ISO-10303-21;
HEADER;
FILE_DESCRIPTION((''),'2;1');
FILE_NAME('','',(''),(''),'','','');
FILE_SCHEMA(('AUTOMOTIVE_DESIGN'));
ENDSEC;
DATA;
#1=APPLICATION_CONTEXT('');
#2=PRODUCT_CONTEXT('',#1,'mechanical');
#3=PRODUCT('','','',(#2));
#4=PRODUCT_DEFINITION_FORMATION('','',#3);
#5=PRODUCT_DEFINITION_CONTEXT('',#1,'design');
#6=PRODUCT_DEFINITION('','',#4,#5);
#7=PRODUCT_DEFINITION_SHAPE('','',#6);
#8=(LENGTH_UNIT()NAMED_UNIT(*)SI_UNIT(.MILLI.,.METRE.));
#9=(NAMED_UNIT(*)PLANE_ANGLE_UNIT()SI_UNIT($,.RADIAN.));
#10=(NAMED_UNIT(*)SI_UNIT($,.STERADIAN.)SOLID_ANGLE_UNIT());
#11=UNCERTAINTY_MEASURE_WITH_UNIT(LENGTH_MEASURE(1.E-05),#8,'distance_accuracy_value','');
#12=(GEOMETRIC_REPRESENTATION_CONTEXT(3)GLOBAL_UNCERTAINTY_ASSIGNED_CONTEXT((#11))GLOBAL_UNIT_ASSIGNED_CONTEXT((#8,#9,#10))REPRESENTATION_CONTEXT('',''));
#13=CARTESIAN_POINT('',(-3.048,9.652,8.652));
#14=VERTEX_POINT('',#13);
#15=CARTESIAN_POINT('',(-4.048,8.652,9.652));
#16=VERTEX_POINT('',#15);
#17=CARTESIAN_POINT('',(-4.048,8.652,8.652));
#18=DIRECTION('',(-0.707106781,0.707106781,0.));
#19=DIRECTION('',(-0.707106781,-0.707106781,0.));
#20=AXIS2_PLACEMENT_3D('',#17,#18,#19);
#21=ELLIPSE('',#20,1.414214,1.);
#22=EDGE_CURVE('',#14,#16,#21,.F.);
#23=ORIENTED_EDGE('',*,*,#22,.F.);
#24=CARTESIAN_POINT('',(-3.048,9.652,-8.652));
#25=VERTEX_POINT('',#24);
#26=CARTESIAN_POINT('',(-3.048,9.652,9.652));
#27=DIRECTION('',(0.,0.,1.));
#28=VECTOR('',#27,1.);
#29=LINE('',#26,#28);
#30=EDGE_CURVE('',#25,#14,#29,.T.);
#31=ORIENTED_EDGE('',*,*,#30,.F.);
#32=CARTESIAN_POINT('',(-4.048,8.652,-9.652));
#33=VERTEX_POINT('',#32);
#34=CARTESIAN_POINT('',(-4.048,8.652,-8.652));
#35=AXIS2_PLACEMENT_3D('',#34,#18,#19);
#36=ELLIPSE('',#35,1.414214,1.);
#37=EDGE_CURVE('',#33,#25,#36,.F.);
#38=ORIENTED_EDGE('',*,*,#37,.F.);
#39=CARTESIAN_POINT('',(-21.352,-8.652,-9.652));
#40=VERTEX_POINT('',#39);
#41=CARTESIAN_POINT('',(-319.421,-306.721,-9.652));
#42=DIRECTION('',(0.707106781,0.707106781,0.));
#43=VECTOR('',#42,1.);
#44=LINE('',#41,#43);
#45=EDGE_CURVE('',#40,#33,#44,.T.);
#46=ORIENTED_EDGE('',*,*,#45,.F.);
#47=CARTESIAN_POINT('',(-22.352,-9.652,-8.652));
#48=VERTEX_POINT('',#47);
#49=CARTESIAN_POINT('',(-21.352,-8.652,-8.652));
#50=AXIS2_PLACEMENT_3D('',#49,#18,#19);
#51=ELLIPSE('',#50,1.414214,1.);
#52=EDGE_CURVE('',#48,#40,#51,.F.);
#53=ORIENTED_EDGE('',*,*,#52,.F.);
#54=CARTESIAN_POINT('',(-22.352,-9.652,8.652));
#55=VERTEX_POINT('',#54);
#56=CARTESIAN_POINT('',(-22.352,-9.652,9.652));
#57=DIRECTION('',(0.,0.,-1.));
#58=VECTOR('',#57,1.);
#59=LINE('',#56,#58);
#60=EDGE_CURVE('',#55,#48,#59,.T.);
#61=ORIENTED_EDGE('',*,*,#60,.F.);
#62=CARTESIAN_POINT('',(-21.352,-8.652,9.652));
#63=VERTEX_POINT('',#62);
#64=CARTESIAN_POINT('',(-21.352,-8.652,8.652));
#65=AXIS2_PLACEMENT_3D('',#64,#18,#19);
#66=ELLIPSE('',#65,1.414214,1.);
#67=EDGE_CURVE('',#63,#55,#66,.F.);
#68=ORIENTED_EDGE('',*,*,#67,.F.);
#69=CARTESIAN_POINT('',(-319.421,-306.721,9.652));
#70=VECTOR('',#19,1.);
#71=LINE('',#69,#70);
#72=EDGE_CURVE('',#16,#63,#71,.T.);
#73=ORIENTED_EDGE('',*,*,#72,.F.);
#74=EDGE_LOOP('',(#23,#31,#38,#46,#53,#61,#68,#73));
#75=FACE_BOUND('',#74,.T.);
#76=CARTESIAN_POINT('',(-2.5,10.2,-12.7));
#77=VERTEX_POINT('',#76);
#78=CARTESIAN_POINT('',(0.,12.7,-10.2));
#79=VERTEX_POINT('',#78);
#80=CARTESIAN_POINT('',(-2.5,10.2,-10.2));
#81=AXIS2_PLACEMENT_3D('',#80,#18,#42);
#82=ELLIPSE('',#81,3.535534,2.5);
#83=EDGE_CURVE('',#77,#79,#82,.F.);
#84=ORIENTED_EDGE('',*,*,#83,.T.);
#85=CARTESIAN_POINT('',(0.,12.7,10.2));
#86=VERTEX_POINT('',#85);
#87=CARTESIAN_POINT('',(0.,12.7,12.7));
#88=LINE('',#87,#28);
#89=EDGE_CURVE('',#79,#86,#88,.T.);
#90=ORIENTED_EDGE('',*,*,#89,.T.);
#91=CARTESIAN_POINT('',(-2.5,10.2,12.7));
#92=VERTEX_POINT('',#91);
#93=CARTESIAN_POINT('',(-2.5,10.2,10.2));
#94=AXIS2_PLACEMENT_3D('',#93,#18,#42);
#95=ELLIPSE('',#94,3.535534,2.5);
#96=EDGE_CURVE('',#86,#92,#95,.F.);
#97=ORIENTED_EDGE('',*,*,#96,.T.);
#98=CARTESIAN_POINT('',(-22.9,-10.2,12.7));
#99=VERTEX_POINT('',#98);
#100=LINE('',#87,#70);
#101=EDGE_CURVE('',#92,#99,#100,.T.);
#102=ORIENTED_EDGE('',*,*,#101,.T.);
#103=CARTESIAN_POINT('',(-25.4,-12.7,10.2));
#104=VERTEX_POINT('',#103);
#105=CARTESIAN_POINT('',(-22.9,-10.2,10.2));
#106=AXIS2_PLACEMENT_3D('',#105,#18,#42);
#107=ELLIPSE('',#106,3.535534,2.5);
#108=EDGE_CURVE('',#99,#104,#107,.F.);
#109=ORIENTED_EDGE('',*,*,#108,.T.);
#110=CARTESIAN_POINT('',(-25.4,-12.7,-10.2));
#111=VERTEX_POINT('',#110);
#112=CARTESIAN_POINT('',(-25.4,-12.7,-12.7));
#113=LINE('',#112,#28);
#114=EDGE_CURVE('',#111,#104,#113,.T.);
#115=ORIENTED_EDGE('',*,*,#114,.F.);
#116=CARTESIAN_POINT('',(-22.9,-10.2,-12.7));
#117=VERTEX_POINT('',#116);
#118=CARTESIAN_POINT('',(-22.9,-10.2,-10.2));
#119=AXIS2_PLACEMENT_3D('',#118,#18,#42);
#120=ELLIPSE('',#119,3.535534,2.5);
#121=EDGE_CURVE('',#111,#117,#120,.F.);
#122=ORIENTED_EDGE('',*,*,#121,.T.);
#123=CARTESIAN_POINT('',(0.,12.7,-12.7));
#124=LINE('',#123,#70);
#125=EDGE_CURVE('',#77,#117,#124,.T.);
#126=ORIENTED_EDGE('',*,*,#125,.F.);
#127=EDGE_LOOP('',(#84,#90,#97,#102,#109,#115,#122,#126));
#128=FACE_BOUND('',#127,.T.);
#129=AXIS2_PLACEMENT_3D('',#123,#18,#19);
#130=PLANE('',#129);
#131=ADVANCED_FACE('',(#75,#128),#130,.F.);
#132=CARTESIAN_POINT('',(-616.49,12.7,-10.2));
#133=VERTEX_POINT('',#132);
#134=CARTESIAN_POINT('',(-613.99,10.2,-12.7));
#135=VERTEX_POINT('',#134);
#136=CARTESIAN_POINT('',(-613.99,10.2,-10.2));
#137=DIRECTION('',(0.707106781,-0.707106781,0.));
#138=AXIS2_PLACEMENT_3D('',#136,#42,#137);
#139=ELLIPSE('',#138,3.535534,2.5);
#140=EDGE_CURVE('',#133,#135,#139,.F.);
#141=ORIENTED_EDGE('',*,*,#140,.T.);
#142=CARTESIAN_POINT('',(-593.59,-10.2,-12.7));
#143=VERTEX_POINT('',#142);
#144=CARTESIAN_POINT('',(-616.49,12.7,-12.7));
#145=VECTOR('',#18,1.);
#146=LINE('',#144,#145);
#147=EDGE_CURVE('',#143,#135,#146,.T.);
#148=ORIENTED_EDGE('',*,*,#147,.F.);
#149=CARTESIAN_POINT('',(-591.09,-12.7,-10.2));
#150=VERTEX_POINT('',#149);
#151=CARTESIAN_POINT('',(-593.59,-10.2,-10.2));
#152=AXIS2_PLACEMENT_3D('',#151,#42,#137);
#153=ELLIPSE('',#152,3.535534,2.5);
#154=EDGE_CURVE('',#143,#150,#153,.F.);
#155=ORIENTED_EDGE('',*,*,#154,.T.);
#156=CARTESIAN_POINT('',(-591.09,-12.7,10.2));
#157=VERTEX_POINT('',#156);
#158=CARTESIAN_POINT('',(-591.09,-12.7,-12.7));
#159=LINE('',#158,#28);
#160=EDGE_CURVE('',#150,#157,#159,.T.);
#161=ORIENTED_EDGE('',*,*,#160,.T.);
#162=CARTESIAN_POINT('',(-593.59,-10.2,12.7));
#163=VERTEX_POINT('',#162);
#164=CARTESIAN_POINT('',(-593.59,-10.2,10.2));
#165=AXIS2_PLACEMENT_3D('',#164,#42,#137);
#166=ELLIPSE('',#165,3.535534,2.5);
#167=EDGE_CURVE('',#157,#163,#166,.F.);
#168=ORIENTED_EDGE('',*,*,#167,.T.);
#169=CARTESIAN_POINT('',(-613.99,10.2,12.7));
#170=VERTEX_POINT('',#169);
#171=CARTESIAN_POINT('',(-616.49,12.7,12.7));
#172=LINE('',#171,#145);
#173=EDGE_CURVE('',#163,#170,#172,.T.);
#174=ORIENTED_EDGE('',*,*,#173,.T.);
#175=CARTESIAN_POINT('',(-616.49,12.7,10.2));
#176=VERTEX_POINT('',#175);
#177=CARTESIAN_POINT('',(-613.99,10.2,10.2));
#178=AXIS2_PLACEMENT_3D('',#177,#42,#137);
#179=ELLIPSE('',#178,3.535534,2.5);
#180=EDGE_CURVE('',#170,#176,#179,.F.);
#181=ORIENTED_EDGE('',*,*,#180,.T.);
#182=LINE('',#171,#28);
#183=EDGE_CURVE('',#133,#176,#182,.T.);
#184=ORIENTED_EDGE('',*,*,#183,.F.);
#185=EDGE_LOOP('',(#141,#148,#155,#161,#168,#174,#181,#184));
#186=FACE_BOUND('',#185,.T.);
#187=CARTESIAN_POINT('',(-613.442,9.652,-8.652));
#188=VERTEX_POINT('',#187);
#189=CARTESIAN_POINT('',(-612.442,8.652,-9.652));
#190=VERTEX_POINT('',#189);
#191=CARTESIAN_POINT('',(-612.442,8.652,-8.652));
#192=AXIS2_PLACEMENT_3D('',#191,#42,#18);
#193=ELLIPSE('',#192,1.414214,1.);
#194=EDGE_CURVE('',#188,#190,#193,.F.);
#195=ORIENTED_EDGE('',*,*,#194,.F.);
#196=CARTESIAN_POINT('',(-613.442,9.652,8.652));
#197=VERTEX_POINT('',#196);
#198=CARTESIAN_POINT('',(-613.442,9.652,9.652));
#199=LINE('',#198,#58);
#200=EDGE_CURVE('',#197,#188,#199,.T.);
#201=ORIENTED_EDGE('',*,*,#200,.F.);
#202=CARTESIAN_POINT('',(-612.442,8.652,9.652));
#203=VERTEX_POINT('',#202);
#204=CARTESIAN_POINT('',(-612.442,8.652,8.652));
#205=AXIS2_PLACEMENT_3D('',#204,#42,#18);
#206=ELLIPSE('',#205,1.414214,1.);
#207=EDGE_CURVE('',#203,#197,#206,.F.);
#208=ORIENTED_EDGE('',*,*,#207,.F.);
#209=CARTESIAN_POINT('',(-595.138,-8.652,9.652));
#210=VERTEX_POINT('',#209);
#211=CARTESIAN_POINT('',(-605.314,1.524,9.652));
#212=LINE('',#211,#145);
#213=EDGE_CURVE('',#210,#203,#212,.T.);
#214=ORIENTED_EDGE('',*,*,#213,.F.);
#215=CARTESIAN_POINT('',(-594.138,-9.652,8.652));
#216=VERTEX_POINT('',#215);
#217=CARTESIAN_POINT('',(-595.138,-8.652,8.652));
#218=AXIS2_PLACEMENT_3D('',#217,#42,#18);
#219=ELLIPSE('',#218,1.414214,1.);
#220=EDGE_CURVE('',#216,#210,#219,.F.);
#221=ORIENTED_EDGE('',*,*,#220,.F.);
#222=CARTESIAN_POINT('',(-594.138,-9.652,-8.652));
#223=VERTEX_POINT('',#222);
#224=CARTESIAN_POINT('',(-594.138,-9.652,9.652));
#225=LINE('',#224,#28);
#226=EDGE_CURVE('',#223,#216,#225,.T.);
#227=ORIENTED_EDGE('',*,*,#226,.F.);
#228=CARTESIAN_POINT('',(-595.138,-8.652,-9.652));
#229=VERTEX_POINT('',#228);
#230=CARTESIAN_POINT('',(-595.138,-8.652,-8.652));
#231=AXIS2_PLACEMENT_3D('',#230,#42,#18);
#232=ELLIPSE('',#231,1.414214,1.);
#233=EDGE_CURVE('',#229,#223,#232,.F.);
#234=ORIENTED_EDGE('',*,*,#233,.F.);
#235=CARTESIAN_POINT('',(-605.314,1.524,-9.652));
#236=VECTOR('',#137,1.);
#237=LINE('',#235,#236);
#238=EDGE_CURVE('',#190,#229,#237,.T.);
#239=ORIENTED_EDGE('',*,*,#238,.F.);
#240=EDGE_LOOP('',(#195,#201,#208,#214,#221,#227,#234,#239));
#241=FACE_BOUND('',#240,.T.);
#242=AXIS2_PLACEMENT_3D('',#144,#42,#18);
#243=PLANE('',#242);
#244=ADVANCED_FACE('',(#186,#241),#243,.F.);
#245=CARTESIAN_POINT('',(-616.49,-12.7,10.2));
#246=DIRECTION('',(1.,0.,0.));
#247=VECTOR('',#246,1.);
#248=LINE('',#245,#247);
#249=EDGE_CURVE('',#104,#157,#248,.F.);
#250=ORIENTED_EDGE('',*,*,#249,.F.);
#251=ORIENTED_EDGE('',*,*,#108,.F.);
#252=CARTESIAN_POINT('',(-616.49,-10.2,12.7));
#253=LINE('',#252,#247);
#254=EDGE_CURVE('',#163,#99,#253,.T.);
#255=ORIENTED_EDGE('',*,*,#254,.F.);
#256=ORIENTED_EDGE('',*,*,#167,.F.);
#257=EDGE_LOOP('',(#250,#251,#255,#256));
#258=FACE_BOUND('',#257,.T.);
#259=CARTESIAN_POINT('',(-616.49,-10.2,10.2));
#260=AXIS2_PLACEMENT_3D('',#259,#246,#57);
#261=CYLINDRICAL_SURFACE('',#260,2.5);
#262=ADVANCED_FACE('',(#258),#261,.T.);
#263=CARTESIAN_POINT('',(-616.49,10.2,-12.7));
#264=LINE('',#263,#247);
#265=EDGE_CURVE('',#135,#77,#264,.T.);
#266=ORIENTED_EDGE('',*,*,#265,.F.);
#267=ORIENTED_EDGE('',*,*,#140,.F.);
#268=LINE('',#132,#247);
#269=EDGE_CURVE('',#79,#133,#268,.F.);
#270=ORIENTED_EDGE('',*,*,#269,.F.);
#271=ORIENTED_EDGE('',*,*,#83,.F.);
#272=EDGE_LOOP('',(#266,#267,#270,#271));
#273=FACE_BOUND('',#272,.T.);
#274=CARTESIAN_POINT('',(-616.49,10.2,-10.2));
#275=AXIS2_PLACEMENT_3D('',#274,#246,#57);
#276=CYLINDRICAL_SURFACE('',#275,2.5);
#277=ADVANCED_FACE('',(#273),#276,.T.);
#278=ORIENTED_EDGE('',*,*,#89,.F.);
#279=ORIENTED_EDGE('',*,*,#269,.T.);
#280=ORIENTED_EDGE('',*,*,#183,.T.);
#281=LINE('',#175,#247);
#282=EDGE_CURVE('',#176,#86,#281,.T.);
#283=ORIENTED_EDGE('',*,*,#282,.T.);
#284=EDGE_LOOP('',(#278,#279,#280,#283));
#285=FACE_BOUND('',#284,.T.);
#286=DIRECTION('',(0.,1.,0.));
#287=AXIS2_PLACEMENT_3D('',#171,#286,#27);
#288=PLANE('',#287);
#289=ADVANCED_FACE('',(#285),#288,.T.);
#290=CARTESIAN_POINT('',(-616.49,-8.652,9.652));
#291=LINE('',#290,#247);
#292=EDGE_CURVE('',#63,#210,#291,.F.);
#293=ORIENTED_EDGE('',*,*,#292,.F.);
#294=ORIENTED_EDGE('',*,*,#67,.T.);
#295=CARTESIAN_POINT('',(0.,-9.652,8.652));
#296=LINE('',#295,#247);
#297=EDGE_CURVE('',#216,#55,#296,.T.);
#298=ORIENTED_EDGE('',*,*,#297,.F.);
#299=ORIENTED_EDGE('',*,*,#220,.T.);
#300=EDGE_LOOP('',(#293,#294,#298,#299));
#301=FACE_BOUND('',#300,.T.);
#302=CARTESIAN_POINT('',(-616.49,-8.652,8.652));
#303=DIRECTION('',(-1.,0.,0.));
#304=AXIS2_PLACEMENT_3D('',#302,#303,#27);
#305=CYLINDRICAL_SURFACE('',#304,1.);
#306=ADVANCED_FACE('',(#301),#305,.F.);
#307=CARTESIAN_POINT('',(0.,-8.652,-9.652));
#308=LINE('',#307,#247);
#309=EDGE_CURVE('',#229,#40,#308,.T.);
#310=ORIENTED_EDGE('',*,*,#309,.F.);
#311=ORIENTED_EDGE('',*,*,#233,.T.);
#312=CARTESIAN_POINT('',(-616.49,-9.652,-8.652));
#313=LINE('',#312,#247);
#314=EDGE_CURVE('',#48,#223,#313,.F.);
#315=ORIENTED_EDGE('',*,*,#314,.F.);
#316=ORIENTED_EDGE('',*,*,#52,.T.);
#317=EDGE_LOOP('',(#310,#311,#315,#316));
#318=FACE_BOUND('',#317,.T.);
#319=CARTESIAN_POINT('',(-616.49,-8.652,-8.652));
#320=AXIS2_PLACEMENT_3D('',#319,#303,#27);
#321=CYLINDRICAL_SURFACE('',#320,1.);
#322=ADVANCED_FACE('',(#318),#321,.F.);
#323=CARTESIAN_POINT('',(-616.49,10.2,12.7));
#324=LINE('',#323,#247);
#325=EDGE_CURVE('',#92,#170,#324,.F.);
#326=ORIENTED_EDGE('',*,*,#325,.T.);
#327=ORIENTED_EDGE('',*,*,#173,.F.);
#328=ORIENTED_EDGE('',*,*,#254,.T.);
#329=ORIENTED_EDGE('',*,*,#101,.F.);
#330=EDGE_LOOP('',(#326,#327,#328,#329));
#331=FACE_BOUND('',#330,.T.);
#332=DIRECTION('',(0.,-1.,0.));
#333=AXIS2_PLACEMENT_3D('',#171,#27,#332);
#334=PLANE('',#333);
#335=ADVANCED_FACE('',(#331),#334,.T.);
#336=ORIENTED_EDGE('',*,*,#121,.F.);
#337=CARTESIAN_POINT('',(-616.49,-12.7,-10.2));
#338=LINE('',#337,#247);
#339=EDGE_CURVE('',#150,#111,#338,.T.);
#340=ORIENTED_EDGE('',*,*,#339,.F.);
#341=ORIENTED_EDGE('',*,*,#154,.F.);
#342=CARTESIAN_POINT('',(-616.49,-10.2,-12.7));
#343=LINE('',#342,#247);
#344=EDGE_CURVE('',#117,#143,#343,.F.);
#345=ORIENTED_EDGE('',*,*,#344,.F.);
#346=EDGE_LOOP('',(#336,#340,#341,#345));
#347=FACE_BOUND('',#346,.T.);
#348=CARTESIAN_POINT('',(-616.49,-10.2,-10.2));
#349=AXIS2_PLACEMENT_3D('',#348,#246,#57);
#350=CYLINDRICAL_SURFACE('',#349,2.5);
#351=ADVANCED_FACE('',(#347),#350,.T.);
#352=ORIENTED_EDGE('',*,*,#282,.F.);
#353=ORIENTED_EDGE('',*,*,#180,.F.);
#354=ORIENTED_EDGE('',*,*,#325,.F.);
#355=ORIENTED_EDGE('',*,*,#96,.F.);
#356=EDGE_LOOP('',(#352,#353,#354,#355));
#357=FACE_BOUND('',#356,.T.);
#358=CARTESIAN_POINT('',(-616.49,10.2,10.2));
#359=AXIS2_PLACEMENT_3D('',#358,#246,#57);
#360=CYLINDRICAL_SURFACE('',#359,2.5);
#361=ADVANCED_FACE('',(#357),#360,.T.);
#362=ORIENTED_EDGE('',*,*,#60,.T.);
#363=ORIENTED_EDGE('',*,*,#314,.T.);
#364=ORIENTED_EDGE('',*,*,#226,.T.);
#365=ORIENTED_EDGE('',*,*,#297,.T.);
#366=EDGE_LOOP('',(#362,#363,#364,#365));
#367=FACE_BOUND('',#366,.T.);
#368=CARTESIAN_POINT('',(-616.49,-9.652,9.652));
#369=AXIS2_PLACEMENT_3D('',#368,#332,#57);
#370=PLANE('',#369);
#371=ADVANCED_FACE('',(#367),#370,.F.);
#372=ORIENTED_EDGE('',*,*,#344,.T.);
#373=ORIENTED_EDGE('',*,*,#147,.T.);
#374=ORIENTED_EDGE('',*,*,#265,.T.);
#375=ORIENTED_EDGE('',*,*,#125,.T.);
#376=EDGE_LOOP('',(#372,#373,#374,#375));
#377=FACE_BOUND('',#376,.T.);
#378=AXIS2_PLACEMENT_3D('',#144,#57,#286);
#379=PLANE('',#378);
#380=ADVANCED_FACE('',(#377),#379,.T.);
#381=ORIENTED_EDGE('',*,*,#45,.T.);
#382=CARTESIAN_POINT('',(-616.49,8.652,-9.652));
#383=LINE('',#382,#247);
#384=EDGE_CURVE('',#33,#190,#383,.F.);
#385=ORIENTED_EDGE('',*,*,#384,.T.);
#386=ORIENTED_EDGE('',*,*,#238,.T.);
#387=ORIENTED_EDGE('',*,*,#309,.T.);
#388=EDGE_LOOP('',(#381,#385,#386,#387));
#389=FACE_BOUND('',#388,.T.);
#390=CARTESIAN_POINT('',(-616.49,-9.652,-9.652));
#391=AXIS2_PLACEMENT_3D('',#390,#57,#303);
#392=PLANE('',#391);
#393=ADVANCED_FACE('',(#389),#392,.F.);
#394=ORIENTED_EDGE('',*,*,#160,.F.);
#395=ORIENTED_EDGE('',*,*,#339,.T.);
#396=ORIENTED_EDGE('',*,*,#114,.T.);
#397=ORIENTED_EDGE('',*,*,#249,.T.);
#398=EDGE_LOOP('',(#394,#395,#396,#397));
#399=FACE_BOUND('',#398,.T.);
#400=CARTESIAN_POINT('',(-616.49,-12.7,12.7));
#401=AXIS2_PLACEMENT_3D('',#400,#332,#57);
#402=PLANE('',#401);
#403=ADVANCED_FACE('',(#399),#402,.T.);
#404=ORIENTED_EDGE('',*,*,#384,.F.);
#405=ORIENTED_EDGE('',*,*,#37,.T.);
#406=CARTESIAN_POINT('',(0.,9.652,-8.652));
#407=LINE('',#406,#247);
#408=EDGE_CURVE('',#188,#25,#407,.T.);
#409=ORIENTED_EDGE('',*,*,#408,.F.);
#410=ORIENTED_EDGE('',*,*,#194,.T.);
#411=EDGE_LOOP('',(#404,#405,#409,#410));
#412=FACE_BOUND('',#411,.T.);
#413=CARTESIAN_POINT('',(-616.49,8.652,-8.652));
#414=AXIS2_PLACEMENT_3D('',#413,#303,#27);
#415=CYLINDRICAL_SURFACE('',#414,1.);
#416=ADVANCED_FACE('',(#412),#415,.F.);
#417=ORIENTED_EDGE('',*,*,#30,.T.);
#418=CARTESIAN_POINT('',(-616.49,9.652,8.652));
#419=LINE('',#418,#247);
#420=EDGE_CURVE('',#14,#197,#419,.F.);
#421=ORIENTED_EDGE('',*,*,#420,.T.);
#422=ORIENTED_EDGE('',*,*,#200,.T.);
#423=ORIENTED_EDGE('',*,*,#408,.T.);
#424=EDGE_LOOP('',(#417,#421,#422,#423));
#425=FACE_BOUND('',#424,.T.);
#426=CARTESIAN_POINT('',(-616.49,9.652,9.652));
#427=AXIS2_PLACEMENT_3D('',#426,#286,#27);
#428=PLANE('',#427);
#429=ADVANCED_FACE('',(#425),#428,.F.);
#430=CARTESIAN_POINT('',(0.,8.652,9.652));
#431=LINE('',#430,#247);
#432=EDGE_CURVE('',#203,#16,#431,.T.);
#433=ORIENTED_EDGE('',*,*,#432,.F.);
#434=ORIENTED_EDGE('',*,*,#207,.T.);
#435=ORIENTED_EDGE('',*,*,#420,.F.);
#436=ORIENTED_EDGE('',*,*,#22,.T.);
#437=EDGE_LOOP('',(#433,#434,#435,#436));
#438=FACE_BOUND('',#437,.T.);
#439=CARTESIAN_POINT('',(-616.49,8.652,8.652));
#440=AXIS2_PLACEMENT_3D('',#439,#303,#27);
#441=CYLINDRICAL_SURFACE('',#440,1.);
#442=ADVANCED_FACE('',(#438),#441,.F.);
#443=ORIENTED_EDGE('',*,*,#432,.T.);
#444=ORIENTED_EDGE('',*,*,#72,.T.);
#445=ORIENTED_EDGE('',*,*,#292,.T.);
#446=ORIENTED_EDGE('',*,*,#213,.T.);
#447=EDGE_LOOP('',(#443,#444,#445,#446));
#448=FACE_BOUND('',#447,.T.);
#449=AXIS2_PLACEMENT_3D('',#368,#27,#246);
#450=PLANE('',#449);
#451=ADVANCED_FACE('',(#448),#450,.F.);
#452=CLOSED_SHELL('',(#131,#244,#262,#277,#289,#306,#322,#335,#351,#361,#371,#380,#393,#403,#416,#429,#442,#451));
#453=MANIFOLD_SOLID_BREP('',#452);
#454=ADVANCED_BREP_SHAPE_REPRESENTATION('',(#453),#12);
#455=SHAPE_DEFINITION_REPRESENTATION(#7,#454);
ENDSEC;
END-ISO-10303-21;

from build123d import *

# Parameters (mm, degrees)
SKETCH3_W           = 25.4
SKETCH3_H           = 25.4
SKETCH3_W_2         = 19.304
SKETCH3_H_2         = 19.304
BOSS_EXTRUDE1_DEPTH = 616.49
FILLET1_R           = 2.5
FILLET2_R           = 1
CUT_EXTRUDE1_DEPTH  = 618.143719161


with BuildPart() as part:
    # Sketch3 → Boss-Extrude1 (new body)
    with BuildSketch(Plane(origin=(0, 0, 0), x_dir=(0, 0, -1), z_dir=(1, 0, 0))):
        Rectangle(SKETCH3_W, SKETCH3_H)
        Rectangle(SKETCH3_W_2, SKETCH3_H_2, mode=Mode.SUBTRACT)
    extrude(amount=-BOSS_EXTRUDE1_DEPTH)

    # Fillet1
    fillet1_edges = [part.edges().sort_by_distance(p)[0] for p in [
        (-308.245, -12.7, -12.7),
        (-308.245, -12.7, 12.7),
        (-308.245, 12.7, 12.7),
        (-308.245, 12.7, -12.7),
    ]]
    fillet(fillet1_edges, radius=FILLET1_R)

    # Fillet2
    fillet2_edges = [part.edges().sort_by_distance(p)[0] for p in [
        (-308.245, 9.652, -9.652),
        (-308.245, -9.652, -9.652),
        (-308.245, -9.652, 9.652),
        (-308.245, 9.652, 9.652),
    ]]
    fillet(fillet2_edges, radius=FILLET2_R)

    # Sketch4 → Cut-Extrude1 (cut, through all)
    with BuildSketch(Plane.XY.offset(12.7)):
        Polygon((-616.49, 12.7), (-591.09, -12.7), (-616.49, -12.7), align=None)
        Polygon((0, 12.7), (-25.4, -12.7), (0, -12.7), align=None)
    extrude(amount=-CUT_EXTRUDE1_DEPTH, mode=Mode.SUBTRACT)


solid = part.part
